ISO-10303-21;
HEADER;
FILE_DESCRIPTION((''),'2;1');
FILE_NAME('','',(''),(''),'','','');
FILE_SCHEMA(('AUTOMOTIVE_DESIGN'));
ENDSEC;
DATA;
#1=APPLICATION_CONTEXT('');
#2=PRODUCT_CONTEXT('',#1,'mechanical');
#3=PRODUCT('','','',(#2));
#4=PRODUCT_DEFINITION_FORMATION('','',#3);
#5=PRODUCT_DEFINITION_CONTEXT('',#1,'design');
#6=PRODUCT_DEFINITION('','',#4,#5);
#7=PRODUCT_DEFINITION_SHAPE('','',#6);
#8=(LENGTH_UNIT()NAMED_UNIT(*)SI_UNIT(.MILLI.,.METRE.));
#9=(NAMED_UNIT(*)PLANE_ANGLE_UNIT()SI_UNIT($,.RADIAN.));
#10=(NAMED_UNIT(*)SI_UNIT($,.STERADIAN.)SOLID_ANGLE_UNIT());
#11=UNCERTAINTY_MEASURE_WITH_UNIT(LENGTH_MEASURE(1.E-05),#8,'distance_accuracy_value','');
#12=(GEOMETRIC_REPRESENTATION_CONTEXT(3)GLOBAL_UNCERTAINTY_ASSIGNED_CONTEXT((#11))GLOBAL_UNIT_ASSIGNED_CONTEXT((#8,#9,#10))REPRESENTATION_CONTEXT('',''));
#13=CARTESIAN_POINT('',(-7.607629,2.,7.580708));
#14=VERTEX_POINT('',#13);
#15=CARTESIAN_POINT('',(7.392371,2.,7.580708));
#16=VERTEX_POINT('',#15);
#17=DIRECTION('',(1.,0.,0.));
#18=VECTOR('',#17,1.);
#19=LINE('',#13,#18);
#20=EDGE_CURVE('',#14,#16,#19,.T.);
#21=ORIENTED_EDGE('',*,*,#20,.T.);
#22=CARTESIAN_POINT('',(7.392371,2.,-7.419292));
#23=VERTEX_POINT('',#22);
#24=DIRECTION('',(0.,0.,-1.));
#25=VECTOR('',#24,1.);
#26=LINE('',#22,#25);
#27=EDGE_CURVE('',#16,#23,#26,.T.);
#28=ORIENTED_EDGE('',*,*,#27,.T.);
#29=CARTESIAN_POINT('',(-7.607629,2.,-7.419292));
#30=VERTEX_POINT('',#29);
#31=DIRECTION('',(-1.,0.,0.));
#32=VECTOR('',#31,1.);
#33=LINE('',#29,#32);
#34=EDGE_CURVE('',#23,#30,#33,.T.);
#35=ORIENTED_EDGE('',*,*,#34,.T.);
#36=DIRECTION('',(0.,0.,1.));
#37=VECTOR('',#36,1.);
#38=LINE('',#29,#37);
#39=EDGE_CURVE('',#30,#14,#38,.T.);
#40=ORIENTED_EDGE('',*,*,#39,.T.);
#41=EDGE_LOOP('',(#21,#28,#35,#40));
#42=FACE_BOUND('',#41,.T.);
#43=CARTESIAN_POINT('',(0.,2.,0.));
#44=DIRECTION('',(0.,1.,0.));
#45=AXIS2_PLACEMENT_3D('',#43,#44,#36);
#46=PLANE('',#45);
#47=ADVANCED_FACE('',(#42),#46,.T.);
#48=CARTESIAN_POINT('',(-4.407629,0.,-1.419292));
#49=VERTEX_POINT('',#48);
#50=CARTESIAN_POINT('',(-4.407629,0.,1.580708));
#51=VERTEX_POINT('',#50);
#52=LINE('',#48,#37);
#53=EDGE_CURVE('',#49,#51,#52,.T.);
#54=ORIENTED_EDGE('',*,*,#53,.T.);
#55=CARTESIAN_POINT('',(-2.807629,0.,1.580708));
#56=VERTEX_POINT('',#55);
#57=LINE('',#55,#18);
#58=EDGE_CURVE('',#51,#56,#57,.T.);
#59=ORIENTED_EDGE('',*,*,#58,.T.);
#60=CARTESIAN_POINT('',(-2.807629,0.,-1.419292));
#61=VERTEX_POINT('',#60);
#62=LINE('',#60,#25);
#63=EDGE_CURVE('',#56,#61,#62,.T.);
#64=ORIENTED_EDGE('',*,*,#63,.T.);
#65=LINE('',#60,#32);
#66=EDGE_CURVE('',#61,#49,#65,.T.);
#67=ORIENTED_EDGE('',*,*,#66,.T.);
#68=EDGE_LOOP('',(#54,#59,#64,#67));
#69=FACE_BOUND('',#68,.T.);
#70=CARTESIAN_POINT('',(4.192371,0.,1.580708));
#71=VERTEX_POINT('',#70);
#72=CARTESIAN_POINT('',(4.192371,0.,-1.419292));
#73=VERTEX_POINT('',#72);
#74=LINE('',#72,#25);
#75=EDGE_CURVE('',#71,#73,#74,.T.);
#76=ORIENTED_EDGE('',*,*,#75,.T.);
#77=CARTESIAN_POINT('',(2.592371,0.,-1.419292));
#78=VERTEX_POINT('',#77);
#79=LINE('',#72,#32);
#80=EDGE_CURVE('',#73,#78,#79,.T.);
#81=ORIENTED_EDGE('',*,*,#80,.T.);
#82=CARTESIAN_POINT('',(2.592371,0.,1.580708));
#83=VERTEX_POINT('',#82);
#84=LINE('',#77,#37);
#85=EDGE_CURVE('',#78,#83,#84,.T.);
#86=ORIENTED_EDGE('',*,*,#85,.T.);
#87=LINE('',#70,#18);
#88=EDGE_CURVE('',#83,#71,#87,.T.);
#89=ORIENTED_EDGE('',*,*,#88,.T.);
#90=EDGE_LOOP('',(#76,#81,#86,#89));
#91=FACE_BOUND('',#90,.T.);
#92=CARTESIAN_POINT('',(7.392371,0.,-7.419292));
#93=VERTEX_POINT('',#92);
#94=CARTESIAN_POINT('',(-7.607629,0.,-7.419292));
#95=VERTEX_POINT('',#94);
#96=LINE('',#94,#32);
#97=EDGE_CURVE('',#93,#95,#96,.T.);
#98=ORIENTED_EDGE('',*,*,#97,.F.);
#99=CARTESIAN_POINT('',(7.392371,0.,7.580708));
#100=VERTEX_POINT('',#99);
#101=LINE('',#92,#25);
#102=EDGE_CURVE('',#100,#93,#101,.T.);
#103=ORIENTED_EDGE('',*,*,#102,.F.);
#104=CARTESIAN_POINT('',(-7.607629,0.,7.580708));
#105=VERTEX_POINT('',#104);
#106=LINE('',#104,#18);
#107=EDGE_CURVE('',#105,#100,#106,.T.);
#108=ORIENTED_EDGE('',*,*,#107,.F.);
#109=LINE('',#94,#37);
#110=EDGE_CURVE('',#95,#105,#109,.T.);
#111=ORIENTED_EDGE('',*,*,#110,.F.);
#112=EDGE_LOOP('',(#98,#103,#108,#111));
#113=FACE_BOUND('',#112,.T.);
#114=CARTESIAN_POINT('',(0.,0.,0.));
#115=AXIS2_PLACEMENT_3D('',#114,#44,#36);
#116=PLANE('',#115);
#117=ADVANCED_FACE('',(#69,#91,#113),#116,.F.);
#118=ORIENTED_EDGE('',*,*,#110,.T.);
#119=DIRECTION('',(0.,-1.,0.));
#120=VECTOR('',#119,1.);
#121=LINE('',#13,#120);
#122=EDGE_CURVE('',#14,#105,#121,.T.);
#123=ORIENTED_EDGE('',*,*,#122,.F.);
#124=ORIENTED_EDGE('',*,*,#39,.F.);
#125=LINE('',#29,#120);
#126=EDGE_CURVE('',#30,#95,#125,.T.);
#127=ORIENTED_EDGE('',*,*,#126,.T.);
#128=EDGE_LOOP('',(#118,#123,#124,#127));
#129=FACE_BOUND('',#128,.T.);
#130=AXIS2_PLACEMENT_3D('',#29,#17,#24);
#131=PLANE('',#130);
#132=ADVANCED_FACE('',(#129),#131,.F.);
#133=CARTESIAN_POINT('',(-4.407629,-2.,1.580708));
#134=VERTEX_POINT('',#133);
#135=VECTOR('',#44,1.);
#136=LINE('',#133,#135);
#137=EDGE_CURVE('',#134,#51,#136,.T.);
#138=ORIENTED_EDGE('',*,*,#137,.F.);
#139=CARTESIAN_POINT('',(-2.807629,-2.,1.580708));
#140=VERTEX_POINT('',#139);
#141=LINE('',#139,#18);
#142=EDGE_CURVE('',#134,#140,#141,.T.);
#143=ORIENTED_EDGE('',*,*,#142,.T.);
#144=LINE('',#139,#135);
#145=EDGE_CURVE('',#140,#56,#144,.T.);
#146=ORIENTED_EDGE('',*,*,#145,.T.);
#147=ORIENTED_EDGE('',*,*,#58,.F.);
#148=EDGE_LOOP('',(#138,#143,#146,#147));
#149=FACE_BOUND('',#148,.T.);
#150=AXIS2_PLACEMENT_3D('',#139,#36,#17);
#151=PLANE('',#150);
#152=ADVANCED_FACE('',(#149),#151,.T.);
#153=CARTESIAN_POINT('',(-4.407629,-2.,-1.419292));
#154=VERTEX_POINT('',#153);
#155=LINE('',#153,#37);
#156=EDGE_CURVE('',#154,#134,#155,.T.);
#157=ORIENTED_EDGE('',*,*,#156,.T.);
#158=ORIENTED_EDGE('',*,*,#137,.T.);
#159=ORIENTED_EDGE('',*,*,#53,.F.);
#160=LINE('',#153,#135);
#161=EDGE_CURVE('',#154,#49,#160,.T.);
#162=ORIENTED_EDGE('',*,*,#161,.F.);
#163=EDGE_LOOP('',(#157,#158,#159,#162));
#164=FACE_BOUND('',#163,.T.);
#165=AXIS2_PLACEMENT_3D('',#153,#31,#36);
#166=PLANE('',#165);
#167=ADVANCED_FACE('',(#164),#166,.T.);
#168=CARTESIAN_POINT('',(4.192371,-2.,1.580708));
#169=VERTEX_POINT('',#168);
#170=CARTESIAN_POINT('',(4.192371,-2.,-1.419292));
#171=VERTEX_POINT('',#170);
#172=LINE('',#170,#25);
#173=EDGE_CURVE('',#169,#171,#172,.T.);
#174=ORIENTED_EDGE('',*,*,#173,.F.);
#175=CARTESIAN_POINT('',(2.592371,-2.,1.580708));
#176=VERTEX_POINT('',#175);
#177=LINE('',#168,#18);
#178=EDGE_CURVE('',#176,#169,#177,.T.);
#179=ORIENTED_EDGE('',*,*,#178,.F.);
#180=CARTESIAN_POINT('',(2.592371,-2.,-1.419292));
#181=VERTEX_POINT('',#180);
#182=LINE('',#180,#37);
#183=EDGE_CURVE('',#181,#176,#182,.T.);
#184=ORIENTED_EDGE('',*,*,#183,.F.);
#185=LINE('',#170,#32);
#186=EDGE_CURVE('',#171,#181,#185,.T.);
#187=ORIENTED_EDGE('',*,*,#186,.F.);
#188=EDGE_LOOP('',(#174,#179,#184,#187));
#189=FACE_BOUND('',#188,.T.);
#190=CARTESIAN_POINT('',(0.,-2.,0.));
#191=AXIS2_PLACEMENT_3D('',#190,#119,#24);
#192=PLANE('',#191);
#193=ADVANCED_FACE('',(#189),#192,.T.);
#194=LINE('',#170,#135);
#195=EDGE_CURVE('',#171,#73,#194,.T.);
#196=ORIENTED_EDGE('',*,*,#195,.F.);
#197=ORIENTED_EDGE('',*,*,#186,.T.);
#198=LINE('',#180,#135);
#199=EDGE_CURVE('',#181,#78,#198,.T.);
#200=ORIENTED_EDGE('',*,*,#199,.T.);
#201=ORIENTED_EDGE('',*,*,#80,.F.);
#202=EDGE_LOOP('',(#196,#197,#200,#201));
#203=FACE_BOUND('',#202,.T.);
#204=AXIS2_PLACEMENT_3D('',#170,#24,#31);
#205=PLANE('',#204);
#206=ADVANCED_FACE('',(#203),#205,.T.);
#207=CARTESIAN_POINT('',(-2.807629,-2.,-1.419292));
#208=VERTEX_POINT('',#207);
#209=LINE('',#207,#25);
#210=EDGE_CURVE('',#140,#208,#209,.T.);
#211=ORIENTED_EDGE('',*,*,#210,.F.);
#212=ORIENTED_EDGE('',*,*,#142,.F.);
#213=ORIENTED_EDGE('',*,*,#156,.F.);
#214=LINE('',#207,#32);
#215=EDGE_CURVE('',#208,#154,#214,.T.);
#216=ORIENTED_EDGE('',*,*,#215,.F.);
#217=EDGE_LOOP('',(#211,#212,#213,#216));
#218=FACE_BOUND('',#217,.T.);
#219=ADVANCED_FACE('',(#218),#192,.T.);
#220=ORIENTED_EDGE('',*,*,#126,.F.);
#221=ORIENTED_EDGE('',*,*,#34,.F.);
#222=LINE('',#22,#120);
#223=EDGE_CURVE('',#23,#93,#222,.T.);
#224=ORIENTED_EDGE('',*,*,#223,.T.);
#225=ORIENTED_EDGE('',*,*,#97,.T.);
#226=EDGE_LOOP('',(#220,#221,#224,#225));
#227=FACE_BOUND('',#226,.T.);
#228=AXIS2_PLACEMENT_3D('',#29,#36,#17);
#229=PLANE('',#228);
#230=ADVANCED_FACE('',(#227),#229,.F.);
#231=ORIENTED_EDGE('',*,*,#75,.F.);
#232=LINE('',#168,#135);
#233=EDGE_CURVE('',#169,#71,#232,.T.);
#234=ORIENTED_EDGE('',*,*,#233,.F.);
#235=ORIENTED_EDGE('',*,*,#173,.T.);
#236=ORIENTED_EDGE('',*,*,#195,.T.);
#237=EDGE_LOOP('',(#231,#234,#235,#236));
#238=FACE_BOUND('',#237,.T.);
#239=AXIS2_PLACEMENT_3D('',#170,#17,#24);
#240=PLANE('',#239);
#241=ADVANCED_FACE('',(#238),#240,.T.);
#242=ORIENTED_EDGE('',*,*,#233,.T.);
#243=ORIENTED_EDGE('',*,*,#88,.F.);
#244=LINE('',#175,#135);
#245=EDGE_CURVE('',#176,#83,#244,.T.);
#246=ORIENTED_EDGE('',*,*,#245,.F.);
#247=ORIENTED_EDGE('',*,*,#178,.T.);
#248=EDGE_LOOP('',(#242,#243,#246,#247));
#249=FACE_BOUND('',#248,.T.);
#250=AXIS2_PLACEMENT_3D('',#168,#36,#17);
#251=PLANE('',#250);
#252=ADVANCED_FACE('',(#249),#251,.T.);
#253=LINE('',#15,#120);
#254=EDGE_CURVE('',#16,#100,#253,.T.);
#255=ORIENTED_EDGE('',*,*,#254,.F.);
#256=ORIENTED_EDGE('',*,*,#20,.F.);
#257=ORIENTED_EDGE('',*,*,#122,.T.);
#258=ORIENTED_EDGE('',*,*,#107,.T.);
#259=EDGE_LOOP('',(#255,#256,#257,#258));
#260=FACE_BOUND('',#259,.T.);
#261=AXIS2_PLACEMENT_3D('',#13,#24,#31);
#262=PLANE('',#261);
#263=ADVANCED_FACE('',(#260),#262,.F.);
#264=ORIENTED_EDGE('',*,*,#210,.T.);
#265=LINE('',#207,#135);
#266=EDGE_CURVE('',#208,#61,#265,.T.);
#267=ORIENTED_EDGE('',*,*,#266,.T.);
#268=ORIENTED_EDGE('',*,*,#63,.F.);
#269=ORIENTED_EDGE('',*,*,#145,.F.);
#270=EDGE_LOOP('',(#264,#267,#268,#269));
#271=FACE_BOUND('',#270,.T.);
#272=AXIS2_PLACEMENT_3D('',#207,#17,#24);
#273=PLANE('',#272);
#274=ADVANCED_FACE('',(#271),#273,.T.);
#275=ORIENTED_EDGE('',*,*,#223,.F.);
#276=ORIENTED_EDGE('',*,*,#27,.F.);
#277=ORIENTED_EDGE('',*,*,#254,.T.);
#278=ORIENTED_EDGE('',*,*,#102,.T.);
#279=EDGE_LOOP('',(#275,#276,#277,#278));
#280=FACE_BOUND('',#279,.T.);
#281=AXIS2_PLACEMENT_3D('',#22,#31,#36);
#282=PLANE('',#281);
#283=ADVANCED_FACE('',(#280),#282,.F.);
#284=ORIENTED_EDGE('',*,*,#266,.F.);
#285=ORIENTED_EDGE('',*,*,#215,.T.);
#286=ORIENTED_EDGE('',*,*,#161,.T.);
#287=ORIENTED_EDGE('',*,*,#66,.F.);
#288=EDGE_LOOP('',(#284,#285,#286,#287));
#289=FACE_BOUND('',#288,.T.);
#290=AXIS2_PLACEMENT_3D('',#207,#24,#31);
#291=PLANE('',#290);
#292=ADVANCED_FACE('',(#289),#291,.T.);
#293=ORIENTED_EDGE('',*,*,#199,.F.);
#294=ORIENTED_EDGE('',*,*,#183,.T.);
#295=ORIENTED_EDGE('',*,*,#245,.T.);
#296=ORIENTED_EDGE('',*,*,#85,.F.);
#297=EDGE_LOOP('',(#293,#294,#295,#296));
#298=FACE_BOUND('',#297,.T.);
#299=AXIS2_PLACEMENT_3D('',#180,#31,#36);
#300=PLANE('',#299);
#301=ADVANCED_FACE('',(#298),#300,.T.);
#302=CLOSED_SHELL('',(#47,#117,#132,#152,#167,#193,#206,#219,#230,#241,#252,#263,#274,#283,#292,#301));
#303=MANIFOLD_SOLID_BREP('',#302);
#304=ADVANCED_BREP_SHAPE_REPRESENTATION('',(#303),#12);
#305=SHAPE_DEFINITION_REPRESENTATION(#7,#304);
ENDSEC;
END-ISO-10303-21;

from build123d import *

# Parameters (mm, degrees)
SKETCH1_W           = 15
SKETCH1_H           = 15
BOSS_EXTRUDE1_DEPTH = 2
SKETCH4_W           = 1.6
SKETCH4_H           = 3
BOSS_EXTRUDE2_DEPTH = 2


with BuildPart() as part:
    # Sketch1 → Boss-Extrude1 (new body)
    with BuildSketch(Plane(origin=(0, 0, 0), x_dir=(1, 0, 0), z_dir=(0, 1, 0))):
        with Locations((-0.107629188, -0.080708285)):
            Rectangle(SKETCH1_W, SKETCH1_H)
    extrude(amount=BOSS_EXTRUDE1_DEPTH)

    # Sketch4 → Boss-Extrude2 (add)
    with BuildSketch(Plane(origin=(0, 0, 0), x_dir=(1, 0, 0), z_dir=(0, 1, 0))):
        with Locations((3.392370812, -0.080708285)):
            Rectangle(SKETCH4_W, SKETCH4_H)
        with Locations((-3.607629188, -0.080708285)):
            Rectangle(SKETCH4_W, SKETCH4_H)
    extrude(amount=-BOSS_EXTRUDE2_DEPTH)


solid = part.part
